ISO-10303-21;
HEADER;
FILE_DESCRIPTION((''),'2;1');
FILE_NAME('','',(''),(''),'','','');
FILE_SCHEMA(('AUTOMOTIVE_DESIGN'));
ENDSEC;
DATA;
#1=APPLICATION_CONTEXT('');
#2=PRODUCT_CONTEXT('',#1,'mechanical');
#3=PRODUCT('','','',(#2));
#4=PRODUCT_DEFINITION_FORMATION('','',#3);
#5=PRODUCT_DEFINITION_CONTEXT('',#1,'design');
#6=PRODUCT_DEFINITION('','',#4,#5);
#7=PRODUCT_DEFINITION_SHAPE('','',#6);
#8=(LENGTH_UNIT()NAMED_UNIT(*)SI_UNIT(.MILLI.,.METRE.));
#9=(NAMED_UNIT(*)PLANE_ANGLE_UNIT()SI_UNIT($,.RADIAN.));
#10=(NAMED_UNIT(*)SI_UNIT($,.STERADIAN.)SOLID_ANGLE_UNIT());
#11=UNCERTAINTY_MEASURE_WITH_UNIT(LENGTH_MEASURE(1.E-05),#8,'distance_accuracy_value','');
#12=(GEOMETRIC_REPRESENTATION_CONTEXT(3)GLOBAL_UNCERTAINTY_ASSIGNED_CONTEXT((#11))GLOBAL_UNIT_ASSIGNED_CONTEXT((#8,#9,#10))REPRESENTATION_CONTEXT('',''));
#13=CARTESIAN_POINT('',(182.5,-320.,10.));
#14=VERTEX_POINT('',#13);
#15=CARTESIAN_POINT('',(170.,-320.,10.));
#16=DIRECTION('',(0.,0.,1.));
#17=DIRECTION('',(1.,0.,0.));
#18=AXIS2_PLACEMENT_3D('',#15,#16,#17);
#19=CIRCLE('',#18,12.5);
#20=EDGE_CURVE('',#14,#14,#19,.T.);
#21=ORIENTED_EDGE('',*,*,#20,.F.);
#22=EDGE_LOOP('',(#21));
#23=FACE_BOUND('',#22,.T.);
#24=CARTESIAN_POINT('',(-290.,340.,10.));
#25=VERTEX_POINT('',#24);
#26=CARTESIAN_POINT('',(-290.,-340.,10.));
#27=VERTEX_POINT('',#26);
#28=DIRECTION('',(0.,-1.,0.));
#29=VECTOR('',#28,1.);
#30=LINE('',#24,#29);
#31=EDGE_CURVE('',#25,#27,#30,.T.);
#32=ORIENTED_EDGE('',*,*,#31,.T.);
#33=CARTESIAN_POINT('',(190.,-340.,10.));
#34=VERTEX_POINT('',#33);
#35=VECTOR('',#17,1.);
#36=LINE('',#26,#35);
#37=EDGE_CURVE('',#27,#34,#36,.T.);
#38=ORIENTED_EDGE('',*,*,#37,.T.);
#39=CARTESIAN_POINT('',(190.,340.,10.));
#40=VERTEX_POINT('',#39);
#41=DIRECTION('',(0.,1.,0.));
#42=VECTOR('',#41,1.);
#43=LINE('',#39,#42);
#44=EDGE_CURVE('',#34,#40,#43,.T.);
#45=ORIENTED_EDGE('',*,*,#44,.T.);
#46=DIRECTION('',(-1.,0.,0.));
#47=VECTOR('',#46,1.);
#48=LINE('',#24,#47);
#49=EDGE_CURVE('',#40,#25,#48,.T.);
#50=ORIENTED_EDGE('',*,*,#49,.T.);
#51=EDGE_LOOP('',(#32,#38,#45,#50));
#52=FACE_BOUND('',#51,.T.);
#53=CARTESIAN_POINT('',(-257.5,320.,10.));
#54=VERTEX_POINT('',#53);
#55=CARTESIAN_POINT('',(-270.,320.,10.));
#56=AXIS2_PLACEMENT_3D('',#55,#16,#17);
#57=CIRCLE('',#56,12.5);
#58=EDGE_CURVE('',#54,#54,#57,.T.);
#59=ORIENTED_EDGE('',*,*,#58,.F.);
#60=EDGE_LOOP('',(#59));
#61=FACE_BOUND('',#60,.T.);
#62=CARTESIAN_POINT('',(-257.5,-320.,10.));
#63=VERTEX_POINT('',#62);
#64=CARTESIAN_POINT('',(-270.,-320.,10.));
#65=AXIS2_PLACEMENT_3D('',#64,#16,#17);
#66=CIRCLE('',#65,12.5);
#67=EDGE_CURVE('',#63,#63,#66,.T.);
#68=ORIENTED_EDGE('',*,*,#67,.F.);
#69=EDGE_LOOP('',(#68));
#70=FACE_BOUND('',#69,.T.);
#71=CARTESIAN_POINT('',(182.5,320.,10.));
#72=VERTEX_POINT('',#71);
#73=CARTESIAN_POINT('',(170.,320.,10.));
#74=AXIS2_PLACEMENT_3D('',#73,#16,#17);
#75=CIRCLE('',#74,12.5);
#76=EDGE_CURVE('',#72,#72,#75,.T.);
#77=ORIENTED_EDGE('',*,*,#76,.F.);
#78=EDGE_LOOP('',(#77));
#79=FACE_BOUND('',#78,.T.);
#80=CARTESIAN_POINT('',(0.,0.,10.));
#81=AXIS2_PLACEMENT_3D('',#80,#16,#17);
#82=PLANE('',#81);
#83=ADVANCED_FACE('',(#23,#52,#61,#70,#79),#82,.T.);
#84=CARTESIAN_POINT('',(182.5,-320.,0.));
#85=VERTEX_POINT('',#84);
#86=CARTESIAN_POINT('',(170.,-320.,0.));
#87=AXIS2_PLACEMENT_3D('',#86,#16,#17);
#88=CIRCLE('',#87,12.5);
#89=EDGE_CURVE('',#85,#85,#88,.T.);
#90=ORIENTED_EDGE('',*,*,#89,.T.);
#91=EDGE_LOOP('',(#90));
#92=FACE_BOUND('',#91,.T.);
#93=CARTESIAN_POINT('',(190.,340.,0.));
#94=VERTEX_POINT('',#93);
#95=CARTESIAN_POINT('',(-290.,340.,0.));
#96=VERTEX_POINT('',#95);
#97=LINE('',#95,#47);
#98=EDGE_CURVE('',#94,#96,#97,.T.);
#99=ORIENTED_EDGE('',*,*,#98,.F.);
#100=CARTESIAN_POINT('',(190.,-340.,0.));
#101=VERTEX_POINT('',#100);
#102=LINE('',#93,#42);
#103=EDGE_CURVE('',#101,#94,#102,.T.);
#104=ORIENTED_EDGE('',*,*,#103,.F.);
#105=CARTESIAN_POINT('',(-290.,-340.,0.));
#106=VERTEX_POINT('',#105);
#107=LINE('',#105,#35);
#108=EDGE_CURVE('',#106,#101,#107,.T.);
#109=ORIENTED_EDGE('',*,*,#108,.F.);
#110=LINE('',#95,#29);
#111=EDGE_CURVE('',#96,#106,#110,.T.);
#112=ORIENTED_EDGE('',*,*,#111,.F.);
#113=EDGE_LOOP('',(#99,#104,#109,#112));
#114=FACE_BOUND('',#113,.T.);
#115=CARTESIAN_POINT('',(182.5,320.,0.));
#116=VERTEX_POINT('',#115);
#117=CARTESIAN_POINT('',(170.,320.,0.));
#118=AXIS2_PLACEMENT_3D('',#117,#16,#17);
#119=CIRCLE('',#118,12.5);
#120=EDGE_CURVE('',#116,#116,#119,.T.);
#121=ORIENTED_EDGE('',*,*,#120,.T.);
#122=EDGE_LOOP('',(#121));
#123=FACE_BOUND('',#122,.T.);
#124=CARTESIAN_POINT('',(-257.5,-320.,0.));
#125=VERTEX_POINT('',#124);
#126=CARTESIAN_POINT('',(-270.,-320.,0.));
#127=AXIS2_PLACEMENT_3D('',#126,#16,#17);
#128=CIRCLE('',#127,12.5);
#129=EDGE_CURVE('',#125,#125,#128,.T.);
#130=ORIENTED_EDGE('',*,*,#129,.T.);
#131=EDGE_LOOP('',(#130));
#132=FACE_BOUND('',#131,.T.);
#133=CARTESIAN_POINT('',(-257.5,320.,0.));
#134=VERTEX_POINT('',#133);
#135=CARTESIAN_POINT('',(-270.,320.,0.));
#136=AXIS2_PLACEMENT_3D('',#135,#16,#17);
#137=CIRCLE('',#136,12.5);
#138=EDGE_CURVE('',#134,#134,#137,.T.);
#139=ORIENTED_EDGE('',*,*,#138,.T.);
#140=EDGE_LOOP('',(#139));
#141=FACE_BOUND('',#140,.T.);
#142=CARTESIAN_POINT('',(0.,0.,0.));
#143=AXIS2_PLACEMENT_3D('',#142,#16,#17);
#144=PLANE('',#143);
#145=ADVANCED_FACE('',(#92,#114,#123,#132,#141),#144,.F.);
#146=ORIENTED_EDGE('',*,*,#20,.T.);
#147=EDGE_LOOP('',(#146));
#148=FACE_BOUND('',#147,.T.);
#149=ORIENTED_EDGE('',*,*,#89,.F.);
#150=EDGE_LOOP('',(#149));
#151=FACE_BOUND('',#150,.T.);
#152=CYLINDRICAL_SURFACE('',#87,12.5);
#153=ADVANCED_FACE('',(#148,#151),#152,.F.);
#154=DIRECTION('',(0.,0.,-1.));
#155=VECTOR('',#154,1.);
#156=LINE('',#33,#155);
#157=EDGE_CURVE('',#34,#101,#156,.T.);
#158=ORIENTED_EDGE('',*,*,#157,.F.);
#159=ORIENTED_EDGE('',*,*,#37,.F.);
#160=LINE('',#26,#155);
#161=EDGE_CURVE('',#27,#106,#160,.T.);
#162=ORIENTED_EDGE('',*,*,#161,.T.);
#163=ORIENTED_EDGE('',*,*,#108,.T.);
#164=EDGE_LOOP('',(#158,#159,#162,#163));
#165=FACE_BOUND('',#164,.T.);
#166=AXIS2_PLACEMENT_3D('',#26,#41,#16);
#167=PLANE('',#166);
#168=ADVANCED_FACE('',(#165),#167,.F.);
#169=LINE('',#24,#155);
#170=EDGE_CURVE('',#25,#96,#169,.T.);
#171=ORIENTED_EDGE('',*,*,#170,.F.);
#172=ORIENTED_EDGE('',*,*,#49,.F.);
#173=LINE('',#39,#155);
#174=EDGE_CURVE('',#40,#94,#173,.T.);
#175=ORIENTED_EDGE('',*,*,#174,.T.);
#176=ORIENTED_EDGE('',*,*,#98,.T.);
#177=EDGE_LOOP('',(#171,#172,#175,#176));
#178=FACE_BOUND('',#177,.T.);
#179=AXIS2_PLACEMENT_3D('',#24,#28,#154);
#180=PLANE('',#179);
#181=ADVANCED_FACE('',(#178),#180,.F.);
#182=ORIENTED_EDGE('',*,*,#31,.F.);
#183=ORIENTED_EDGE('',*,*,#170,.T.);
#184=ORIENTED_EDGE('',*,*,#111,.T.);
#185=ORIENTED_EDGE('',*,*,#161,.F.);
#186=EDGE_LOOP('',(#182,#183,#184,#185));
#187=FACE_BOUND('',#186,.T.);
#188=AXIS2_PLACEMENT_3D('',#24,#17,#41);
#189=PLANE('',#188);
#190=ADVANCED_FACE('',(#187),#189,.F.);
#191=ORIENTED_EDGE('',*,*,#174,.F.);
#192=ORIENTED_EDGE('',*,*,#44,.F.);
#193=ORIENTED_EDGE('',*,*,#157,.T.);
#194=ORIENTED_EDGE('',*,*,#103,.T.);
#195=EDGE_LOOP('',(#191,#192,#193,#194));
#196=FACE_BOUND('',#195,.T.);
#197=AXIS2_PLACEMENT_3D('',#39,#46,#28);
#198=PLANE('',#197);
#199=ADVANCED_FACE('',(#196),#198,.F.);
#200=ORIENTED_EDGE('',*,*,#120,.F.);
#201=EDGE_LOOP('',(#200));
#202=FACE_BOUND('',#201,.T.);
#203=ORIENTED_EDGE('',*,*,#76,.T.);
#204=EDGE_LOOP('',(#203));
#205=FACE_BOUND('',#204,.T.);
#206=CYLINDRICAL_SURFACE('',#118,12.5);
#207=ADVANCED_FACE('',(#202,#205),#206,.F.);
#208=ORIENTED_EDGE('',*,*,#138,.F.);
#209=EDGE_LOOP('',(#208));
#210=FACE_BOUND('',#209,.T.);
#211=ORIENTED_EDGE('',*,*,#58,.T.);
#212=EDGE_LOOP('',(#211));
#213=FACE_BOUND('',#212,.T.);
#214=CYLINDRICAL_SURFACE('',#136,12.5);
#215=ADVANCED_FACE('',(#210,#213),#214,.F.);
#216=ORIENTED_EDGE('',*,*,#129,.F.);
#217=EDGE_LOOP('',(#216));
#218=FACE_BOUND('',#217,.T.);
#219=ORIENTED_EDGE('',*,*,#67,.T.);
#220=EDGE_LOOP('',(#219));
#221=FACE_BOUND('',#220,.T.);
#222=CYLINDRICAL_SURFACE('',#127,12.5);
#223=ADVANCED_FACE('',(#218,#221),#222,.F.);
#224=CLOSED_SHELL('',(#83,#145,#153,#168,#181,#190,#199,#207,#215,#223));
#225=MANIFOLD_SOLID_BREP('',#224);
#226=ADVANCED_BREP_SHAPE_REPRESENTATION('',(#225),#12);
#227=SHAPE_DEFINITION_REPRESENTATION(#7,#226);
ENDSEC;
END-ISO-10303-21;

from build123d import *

# Parameters (mm, degrees)
ESQUISSE1_W             = 480
ESQUISSE1_H             = 680
BOSS_EXTRU_1_DEPTH      = 10
ESQUISSE2_R             = 12.5
ENL_V_MAT_EXTRU_1_DEPTH = 10


with BuildPart() as part:
    # Esquisse1 → Boss.-Extru.1 (new body)
    with BuildSketch(Plane.XY):
        with Locations((-50, 0)):
            Rectangle(ESQUISSE1_W, ESQUISSE1_H)
    extrude(amount=BOSS_EXTRU_1_DEPTH)

    # Esquisse2 → Enlèv. mat.-Extru.1 (cut)
    with BuildSketch(Plane.XY.offset(10)):
        with Locations((170, 320)):
            Circle(ESQUISSE2_R)
        with Locations((-270, 320)):
            Circle(ESQUISSE2_R)
        with Locations((-270, -320)):
            Circle(ESQUISSE2_R)
        with Locations((170, -320)):
            Circle(ESQUISSE2_R)
    extrude(amount=-ENL_V_MAT_EXTRU_1_DEPTH, mode=Mode.SUBTRACT)


solid = part.part
